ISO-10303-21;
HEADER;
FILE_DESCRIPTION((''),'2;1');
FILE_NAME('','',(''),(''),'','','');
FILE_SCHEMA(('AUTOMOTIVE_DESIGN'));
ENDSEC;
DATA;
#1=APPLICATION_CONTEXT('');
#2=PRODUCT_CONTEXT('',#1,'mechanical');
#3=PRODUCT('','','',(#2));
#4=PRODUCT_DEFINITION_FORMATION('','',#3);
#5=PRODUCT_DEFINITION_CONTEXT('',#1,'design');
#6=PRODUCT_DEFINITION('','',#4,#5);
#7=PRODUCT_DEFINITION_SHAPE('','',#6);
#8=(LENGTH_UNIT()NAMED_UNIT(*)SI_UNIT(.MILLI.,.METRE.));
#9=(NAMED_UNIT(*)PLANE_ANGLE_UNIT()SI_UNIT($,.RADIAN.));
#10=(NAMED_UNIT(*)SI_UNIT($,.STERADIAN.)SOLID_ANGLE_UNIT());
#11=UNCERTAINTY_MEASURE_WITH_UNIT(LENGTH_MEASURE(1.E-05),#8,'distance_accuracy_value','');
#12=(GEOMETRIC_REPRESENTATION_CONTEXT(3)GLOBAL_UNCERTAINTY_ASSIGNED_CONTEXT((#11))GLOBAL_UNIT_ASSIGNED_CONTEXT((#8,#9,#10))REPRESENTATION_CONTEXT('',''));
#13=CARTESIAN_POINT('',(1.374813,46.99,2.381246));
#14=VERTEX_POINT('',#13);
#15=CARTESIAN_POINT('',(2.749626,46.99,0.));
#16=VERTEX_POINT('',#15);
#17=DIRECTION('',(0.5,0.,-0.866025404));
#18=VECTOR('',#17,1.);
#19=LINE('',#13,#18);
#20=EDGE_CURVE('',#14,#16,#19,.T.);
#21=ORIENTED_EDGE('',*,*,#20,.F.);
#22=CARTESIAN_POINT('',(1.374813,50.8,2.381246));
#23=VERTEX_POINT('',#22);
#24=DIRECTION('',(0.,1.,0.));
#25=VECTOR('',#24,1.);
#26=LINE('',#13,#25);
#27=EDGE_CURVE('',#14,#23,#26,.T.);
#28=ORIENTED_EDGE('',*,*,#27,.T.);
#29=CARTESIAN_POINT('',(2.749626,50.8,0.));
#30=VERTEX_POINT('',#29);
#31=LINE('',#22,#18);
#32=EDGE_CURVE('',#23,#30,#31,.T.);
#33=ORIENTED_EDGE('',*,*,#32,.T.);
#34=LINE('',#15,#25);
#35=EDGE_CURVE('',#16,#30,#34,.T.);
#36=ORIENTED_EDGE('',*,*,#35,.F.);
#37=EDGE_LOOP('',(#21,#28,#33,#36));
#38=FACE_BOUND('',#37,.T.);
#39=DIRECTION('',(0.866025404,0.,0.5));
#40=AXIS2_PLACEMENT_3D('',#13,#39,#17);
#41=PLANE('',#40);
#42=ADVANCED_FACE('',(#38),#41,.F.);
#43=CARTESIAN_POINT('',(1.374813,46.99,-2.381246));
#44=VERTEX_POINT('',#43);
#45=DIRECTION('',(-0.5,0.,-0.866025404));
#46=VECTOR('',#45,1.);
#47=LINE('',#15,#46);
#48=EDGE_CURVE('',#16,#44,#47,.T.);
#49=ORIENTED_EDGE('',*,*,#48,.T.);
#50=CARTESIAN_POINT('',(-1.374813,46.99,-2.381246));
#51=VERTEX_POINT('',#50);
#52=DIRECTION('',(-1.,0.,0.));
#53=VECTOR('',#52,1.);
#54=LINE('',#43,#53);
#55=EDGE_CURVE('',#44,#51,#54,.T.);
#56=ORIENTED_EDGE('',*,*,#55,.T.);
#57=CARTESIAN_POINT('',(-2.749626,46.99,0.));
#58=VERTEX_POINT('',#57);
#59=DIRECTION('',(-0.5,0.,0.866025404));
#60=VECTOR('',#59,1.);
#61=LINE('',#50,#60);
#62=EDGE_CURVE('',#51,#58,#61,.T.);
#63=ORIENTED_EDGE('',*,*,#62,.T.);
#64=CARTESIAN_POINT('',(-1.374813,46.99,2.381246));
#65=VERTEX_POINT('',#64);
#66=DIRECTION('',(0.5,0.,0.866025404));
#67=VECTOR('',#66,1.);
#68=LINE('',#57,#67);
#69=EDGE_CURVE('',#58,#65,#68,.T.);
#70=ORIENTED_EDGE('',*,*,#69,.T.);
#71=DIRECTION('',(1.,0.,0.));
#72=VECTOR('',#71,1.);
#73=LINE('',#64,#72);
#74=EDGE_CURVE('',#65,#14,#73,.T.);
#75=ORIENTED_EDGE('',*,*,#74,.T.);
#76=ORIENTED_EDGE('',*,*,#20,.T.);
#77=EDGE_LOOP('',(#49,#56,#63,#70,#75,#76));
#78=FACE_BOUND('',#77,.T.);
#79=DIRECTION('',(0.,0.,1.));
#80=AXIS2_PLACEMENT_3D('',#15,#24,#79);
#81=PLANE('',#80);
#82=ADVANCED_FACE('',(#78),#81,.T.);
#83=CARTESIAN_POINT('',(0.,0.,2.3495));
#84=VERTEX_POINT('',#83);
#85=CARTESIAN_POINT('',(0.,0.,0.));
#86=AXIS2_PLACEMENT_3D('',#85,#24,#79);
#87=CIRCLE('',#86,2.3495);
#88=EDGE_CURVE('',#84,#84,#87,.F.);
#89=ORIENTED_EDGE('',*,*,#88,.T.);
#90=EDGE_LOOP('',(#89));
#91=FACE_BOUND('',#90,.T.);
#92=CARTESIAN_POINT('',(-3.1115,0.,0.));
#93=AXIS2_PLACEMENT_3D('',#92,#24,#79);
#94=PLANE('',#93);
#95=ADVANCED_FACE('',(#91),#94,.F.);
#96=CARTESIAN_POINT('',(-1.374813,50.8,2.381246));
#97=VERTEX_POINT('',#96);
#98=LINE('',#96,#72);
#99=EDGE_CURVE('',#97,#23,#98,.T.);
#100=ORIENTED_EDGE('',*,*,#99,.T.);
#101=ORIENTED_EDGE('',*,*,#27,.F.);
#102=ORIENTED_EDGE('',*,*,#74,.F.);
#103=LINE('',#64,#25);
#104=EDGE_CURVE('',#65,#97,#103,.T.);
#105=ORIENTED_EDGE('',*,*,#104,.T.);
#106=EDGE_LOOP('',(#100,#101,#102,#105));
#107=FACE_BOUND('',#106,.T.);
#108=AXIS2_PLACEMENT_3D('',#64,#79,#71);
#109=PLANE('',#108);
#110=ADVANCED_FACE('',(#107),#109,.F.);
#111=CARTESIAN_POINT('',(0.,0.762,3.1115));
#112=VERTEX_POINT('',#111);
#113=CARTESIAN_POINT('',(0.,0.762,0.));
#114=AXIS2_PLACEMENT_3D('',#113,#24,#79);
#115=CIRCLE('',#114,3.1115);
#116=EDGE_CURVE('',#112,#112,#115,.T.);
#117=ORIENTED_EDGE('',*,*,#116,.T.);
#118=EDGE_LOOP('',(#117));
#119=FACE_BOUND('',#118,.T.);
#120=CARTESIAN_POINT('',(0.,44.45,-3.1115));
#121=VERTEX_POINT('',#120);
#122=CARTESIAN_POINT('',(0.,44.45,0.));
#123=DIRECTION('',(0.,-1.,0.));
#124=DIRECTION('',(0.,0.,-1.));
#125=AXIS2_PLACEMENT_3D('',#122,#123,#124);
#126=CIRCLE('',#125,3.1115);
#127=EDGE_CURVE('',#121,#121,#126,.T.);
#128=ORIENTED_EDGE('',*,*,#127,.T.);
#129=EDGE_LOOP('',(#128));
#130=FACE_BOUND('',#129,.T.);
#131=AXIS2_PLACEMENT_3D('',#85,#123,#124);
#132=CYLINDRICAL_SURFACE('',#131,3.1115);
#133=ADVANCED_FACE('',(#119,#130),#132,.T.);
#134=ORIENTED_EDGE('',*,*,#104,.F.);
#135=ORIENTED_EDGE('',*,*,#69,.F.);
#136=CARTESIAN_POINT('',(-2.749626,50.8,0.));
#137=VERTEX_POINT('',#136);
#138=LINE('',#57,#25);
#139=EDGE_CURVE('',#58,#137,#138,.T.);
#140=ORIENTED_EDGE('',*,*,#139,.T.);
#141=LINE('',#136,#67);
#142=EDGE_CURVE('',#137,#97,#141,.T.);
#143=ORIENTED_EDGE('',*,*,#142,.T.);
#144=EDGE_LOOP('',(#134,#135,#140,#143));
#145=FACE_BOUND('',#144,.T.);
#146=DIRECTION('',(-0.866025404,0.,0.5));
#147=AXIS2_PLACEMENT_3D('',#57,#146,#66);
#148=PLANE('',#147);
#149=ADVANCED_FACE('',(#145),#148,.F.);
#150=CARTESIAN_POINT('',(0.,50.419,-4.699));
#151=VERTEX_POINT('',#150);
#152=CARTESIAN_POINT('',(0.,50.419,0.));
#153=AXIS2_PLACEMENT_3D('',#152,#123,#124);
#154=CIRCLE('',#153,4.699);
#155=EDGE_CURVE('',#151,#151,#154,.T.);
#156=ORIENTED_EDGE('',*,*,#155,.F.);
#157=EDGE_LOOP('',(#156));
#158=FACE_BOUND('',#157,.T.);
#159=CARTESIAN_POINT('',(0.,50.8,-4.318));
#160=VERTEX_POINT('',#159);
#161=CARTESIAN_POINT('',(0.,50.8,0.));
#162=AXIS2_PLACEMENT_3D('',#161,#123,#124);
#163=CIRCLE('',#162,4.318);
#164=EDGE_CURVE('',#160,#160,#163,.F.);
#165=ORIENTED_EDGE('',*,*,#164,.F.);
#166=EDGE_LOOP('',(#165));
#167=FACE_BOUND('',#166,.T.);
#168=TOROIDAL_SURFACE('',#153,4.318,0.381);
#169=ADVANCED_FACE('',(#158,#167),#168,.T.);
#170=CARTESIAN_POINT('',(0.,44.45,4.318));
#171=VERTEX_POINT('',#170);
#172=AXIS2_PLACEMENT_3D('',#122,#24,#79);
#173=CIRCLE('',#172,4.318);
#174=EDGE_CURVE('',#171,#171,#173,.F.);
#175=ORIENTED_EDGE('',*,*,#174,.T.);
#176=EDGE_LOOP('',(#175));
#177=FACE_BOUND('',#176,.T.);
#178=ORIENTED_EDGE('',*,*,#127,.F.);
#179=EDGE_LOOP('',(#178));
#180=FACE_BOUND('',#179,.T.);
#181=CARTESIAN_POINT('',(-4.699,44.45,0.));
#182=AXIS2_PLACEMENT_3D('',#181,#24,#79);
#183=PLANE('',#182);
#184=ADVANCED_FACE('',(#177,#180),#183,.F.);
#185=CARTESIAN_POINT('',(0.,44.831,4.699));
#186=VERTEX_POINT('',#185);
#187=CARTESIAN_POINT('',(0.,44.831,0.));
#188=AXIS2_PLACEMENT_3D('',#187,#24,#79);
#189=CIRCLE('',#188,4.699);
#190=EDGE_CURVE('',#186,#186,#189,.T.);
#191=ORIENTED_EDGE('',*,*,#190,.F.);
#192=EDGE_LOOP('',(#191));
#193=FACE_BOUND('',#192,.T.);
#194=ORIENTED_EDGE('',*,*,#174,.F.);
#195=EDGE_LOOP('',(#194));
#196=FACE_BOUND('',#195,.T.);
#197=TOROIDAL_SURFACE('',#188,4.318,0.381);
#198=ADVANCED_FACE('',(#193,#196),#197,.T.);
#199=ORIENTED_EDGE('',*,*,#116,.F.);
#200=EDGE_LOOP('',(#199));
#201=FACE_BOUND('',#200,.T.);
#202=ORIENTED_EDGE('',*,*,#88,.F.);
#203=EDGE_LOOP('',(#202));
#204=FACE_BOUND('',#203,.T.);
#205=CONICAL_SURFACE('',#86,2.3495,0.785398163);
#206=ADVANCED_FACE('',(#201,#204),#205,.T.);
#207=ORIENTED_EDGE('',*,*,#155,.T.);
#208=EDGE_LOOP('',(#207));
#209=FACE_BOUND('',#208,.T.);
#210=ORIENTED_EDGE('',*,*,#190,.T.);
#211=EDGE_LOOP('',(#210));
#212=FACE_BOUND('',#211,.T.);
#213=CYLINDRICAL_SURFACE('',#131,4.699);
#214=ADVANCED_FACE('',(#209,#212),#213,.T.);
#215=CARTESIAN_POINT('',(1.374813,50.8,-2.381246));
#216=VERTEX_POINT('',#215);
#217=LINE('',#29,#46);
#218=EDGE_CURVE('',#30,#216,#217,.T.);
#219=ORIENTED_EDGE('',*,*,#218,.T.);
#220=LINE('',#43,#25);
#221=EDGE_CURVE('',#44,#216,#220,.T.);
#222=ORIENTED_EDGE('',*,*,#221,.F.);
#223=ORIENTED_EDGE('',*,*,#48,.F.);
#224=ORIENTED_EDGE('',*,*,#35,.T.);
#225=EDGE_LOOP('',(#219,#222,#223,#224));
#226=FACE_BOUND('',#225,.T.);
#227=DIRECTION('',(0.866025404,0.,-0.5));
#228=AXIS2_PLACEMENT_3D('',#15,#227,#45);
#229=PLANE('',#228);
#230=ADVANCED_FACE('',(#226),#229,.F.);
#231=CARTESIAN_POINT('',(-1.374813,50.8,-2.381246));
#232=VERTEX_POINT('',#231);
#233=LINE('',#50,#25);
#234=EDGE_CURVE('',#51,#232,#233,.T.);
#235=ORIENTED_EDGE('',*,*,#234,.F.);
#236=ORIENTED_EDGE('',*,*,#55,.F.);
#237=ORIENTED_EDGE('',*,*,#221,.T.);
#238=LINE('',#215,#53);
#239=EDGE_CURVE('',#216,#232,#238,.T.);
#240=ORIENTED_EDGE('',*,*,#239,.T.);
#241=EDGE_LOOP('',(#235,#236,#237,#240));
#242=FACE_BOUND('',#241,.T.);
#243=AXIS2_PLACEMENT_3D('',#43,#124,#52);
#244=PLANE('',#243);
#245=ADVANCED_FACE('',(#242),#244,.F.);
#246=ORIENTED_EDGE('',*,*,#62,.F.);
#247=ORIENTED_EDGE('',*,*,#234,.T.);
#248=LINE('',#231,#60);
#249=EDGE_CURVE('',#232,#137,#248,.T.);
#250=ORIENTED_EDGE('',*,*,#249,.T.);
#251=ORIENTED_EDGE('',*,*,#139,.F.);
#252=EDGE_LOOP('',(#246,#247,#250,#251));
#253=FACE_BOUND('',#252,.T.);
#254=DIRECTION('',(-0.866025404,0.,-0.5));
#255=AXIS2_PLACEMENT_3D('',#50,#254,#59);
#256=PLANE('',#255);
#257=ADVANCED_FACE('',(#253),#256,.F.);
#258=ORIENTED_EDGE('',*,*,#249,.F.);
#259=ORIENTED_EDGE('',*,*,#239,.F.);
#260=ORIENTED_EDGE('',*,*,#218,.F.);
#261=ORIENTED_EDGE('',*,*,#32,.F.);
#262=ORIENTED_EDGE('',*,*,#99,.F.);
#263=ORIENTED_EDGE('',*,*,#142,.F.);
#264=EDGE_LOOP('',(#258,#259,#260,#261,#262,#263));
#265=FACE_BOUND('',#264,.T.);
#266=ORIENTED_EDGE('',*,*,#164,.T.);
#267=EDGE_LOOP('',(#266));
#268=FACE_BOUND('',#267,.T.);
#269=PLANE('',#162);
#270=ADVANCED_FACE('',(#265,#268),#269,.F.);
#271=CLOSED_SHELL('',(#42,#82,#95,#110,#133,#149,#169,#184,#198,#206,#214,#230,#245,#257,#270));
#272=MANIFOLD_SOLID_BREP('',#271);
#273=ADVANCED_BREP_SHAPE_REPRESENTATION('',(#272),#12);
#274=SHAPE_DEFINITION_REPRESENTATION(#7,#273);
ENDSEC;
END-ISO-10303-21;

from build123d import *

# Parameters (mm, degrees)
EXTRUDE1_DEPTH = 3.81
FILLET1_R      = 0.381
CHAMFER1_SIZE  = 0.762


with BuildPart() as part:
    # Sketch1 → Revolve1 (revolve)
    with BuildSketch(Plane.XY):
        Polygon((0, 0), (0, 50.8), (-4.699, 50.8), (-4.699, 44.45), (-3.1115, 44.45), (-3.1115, 0), align=None)
    revolve(axis=Axis((0, 0, 0), (0, 1, 0)))

    # Sketch2 → Extrude1 (cut)
    with BuildSketch(Plane(origin=(0, 50.8, 0), x_dir=(1, 0, 0), z_dir=(0, 1, 0))):
        Polygon((2.7496262, 0), (1.3748131, 2.38124614), (-1.3748131, 2.38124614), (-2.7496262, 0), (-1.3748131, -2.38124614), (1.3748131, -2.38124614), align=None)
    extrude(amount=-EXTRUDE1_DEPTH, mode=Mode.SUBTRACT)

    # Fillet1
    fillet1_edges = [part.edges().sort_by_distance(p)[0] for p in [
        (4.699, 44.45, 0),
        (4.699, 50.8, 0),
    ]]
    fillet(fillet1_edges, radius=FILLET1_R)

    # Chamfer1
    chamfer1_edges = [part.edges().sort_by_distance(p)[0] for p in [
        (3.1115, 0, 0),
    ]]
    chamfer(chamfer1_edges, length=CHAMFER1_SIZE)


solid = part.part
